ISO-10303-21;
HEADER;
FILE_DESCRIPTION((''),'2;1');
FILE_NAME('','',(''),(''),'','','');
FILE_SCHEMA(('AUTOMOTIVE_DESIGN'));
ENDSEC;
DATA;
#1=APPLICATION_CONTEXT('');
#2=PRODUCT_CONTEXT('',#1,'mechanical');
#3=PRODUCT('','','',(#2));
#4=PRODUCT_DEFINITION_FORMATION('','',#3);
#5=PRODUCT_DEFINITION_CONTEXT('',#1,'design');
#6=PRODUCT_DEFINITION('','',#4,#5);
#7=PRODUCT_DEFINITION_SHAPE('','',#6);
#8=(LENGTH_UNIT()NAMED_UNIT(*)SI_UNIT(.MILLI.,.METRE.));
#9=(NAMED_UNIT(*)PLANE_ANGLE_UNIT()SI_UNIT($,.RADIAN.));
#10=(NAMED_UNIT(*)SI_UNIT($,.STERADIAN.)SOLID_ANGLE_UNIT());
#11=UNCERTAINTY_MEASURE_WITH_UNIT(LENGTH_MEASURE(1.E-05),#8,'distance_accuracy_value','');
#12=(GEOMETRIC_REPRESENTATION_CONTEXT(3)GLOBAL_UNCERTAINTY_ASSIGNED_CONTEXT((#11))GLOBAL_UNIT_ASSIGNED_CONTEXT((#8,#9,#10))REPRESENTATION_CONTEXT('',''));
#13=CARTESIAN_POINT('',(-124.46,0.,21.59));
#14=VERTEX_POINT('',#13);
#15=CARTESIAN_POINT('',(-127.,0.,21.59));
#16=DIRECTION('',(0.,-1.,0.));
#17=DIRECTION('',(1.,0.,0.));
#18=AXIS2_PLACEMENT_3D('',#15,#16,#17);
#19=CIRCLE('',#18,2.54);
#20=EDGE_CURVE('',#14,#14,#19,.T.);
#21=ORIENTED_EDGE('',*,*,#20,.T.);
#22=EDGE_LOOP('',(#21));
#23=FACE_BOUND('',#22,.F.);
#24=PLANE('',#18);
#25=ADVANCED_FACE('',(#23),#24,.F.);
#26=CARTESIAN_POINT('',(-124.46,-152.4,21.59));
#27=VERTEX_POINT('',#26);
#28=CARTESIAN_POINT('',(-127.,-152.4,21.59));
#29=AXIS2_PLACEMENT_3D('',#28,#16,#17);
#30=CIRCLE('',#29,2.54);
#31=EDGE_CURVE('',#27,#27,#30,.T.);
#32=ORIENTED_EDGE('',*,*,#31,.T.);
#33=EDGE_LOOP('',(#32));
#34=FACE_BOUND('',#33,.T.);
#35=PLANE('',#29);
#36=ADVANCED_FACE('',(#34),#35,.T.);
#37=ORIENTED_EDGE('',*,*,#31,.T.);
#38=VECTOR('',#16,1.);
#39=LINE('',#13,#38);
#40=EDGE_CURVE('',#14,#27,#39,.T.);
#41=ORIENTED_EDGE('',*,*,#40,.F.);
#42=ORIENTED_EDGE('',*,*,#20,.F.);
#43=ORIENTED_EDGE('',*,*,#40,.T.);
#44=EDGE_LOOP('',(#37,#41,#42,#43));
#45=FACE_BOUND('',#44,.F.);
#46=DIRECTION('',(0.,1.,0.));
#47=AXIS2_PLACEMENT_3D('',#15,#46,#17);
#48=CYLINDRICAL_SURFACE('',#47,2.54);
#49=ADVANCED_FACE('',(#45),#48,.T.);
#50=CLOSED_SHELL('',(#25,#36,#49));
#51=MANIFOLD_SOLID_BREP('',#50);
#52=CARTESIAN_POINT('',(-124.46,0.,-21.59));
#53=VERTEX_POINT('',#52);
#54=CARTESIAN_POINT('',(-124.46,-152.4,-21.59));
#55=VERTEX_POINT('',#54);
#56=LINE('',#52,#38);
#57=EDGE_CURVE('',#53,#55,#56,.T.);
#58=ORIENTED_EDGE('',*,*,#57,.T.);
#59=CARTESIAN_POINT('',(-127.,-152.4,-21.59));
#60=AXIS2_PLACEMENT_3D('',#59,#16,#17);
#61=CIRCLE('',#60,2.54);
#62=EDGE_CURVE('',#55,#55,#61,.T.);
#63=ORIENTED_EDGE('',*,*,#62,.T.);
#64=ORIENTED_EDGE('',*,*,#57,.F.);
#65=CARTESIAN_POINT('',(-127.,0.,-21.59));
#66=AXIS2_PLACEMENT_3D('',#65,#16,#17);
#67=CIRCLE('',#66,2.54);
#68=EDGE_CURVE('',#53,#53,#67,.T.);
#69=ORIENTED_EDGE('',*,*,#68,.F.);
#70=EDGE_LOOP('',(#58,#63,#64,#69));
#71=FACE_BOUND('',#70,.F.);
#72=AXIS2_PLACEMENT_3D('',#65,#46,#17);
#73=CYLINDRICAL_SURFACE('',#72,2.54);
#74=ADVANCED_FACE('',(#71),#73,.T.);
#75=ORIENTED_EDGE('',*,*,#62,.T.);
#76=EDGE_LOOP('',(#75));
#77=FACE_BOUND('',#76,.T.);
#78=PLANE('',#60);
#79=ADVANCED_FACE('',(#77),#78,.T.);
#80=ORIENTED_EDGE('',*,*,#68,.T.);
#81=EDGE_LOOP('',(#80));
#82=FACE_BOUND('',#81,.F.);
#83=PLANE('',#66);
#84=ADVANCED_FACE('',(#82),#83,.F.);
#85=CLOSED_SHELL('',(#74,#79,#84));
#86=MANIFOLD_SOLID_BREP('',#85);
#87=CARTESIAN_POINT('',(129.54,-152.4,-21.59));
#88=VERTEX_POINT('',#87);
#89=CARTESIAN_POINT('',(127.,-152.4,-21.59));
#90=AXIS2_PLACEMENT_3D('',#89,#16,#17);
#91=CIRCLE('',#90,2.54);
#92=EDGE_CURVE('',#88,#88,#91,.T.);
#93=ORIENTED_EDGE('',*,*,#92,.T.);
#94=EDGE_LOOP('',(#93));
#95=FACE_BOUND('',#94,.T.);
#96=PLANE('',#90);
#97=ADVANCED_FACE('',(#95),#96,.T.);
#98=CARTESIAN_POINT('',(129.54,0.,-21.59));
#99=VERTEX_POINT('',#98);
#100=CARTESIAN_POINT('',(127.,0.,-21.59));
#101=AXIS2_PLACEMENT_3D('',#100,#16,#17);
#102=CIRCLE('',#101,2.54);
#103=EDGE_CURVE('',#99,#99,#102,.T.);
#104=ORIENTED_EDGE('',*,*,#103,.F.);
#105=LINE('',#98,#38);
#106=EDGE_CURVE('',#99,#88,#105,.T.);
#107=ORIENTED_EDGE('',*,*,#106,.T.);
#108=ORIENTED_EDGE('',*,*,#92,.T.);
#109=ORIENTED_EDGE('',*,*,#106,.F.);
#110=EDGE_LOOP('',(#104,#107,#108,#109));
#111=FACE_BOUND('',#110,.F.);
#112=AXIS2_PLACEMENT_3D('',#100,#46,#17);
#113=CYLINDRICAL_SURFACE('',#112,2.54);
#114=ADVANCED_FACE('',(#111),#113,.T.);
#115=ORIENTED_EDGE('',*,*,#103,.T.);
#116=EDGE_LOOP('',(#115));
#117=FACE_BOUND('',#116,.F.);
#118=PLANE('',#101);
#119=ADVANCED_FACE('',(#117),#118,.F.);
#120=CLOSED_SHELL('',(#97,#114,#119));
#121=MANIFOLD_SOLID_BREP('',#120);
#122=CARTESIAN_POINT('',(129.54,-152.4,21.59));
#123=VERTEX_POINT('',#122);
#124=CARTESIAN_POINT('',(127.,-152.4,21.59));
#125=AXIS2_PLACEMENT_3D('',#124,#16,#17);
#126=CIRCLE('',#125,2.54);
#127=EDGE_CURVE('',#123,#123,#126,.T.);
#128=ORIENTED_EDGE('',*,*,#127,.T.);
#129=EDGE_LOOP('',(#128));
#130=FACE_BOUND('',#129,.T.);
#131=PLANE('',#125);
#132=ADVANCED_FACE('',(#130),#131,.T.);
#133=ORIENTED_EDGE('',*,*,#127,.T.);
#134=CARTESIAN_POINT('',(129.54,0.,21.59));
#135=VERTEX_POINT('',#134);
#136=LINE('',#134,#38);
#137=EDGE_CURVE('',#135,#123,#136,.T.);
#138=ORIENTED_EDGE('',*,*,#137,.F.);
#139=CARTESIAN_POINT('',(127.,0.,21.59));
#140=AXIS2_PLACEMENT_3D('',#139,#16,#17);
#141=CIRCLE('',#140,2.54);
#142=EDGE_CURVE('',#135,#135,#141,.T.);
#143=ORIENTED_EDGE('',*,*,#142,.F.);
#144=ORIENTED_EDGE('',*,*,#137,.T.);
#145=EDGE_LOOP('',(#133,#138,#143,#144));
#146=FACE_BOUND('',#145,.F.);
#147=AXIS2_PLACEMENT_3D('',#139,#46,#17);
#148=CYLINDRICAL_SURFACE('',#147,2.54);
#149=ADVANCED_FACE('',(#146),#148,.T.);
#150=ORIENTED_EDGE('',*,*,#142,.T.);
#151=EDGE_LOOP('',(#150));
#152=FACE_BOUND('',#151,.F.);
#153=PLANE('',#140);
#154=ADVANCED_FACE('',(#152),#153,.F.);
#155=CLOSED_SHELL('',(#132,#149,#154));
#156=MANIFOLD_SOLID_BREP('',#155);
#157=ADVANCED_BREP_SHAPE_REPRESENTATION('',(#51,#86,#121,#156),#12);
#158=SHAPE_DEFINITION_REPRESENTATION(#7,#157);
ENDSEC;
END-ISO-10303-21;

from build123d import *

# Parameters (mm, degrees)
F0_R     = 2.54
F1_DEPTH = 152.4


with BuildPart() as f1:
    # F0 (on Front) → F1 (new body)
    with BuildSketch(Plane.XZ):
        with Locations((-127, 21.59)):
            Circle(F0_R)
        with Locations((127, 21.59)):
            Circle(F0_R)
        with Locations((127, -21.59)):
            Circle(F0_R)
        with Locations((-127, -21.59)):
            Circle(F0_R)
    extrude(amount=F1_DEPTH)


solid = f1.part
